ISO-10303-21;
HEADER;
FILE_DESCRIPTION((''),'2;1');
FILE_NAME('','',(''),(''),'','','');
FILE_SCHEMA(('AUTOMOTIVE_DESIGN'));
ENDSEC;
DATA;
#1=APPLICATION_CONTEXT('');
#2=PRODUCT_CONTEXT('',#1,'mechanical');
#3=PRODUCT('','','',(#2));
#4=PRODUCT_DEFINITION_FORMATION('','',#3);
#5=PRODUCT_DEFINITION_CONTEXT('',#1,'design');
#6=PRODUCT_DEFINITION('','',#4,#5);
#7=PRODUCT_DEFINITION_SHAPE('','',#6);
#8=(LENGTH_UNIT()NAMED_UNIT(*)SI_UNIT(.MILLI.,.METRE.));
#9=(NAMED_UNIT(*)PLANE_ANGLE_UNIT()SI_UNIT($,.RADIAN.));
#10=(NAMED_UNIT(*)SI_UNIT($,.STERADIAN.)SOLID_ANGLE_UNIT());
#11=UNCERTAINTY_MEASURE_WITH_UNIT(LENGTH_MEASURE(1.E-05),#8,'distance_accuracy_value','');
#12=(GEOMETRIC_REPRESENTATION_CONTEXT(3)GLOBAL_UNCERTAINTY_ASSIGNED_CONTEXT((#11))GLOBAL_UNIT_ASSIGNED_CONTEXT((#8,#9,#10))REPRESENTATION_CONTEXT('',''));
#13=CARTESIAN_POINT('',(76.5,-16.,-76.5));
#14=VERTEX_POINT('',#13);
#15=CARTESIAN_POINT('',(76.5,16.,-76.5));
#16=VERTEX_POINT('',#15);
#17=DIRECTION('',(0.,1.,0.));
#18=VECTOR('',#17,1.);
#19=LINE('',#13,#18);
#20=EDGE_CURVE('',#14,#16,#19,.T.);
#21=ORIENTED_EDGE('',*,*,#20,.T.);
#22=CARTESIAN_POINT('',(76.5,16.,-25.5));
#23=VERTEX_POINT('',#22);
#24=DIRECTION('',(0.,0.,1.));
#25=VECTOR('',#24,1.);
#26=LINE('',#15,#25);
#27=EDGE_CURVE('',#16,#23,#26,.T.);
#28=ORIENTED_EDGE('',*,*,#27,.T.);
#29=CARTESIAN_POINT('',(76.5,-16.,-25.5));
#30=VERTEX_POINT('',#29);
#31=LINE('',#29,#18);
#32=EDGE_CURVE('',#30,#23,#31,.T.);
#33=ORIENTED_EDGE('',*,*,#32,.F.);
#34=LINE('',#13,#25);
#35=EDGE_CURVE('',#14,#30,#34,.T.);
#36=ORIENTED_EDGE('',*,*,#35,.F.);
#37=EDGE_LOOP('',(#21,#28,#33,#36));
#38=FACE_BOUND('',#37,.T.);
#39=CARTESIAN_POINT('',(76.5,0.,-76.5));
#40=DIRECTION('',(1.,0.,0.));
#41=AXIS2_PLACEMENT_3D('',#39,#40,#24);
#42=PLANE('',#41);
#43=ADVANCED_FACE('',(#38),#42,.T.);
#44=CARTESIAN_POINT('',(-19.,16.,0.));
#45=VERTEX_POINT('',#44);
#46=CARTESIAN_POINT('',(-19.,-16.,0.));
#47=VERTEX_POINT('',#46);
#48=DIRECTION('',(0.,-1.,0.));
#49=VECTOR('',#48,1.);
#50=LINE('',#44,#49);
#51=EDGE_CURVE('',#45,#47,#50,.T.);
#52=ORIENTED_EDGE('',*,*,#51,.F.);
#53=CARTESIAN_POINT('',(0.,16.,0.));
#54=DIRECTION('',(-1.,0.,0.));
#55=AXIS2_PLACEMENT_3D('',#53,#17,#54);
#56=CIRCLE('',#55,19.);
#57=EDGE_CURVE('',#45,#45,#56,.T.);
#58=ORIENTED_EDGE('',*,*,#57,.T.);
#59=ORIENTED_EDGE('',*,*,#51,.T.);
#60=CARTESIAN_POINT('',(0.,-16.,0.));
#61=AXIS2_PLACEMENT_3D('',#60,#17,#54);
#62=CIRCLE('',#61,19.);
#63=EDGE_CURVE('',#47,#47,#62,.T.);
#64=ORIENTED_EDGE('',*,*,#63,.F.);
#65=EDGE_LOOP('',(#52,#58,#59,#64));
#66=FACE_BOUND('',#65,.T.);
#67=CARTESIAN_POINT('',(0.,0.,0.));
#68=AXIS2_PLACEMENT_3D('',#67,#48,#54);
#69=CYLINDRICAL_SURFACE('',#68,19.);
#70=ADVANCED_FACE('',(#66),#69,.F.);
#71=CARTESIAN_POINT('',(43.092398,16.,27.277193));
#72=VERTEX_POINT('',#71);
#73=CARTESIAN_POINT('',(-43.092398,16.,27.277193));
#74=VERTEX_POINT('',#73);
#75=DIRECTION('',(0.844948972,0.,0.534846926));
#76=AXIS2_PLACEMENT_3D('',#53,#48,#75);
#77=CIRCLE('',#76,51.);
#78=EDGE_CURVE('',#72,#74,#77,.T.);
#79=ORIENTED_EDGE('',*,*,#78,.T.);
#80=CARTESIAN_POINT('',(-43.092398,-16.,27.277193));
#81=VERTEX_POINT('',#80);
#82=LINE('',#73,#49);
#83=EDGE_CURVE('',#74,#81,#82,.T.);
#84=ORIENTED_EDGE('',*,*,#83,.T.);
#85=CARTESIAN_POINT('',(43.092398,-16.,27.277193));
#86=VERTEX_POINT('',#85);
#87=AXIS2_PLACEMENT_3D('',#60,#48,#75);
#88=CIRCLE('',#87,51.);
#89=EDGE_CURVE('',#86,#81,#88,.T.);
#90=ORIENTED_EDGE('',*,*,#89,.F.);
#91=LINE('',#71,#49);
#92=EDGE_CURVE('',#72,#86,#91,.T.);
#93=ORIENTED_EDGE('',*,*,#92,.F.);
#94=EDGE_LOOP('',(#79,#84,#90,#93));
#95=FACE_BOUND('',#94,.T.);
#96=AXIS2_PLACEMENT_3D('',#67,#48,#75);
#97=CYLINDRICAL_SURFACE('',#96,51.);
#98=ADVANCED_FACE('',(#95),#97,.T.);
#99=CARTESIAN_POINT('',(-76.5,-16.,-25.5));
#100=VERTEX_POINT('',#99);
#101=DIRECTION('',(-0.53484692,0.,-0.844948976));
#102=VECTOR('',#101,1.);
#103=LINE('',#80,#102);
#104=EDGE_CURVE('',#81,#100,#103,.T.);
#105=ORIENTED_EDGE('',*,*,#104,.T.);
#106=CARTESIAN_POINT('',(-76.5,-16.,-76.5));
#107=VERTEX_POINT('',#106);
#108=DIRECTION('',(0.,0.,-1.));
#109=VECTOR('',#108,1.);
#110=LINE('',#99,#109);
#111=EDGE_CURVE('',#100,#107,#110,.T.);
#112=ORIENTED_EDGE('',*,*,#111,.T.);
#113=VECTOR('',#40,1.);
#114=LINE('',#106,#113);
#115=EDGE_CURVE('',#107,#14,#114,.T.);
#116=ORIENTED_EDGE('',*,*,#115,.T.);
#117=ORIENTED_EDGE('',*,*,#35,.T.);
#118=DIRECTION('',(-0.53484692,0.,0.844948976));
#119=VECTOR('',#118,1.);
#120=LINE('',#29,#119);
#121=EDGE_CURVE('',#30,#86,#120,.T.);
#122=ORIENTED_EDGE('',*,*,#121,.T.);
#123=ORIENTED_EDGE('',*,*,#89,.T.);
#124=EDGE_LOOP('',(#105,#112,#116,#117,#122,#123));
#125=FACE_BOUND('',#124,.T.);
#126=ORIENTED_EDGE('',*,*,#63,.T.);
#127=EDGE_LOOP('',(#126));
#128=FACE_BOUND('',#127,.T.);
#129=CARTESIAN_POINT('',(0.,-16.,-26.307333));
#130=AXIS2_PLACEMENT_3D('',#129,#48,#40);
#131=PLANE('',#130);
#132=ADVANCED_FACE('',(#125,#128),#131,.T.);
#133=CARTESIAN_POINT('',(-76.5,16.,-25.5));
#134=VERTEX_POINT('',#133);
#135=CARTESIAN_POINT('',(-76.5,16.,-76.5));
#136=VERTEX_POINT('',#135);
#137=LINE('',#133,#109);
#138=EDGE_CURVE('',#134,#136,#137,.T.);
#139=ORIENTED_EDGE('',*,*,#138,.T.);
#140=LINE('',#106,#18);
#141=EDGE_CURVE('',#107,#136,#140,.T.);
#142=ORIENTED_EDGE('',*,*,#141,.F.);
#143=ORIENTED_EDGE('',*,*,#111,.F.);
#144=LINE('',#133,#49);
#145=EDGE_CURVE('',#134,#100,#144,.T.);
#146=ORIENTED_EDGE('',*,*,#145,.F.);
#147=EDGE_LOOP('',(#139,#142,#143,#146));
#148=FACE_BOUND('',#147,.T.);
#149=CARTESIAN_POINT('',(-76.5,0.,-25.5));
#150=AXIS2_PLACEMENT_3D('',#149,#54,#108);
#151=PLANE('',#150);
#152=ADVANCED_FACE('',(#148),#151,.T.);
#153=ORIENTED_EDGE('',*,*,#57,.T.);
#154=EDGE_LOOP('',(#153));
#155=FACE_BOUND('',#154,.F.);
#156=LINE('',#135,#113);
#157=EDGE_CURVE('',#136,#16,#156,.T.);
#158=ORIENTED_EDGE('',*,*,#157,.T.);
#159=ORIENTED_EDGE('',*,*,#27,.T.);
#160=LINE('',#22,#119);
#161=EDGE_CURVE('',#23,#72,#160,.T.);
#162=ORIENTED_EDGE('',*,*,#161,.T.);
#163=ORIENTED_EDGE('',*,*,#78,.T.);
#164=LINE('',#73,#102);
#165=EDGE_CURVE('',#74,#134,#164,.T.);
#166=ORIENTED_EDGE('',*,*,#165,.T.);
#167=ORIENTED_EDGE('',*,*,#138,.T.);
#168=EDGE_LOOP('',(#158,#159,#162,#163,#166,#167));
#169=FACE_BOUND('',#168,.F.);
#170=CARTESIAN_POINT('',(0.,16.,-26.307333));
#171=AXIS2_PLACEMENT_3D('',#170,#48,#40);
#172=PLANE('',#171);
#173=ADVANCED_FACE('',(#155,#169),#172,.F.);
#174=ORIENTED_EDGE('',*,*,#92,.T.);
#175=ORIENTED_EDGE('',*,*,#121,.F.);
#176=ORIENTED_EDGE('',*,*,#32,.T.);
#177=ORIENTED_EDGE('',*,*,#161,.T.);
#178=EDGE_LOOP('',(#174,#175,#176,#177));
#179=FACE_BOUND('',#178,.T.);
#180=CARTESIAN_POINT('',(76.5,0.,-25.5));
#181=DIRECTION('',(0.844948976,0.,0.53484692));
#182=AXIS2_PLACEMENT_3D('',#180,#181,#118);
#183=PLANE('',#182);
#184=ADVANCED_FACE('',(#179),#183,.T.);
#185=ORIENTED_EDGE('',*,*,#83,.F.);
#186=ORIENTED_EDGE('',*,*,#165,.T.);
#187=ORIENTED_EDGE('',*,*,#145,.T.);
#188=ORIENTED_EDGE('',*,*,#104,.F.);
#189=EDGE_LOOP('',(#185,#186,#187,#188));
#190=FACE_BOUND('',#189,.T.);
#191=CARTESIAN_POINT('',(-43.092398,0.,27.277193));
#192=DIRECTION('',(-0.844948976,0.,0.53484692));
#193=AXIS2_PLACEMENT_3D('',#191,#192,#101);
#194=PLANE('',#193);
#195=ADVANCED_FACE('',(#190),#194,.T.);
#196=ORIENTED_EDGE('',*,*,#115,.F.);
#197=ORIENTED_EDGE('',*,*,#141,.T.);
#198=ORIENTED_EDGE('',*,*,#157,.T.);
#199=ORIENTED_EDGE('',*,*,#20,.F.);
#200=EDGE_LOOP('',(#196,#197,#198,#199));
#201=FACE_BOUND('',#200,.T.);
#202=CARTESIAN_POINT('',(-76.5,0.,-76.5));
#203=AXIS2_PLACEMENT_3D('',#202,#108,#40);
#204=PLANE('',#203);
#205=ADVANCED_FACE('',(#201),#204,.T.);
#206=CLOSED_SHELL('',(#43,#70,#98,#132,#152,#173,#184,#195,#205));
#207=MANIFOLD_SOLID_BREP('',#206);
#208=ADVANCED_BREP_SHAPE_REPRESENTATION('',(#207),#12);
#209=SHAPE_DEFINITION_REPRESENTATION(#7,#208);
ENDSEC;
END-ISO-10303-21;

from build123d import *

# Parameters (mm, degrees)
F1_DEPTH = 16


with BuildPart() as f1:
    # F0 (on Front) → F1 (new body, symmetric)
    with BuildSketch(Plane.XZ):
        with BuildLine():
            Line((76.5, -25.5), (43.092398, 27.277193))
            ThreePointArc((43.092398, 27.277193), (0, 51), (-43.092398, 27.277193))
            Line((-43.092398, 27.277193), (-76.5, -25.5))
            Line((-76.5, -25.5), (-76.5, -76.5))
            Line((-76.5, -76.5), (76.5, -76.5))
            Line((76.5, -76.5), (76.5, -25.5))
        make_face()
        with BuildLine():
            ThreePointArc((19, 0), (0, -19), (-19, 0))
            ThreePointArc((-19, 0), (0, 19), (19, 0))
        make_face(mode=Mode.SUBTRACT)
    extrude(amount=F1_DEPTH, both=True)


solid = f1.part
